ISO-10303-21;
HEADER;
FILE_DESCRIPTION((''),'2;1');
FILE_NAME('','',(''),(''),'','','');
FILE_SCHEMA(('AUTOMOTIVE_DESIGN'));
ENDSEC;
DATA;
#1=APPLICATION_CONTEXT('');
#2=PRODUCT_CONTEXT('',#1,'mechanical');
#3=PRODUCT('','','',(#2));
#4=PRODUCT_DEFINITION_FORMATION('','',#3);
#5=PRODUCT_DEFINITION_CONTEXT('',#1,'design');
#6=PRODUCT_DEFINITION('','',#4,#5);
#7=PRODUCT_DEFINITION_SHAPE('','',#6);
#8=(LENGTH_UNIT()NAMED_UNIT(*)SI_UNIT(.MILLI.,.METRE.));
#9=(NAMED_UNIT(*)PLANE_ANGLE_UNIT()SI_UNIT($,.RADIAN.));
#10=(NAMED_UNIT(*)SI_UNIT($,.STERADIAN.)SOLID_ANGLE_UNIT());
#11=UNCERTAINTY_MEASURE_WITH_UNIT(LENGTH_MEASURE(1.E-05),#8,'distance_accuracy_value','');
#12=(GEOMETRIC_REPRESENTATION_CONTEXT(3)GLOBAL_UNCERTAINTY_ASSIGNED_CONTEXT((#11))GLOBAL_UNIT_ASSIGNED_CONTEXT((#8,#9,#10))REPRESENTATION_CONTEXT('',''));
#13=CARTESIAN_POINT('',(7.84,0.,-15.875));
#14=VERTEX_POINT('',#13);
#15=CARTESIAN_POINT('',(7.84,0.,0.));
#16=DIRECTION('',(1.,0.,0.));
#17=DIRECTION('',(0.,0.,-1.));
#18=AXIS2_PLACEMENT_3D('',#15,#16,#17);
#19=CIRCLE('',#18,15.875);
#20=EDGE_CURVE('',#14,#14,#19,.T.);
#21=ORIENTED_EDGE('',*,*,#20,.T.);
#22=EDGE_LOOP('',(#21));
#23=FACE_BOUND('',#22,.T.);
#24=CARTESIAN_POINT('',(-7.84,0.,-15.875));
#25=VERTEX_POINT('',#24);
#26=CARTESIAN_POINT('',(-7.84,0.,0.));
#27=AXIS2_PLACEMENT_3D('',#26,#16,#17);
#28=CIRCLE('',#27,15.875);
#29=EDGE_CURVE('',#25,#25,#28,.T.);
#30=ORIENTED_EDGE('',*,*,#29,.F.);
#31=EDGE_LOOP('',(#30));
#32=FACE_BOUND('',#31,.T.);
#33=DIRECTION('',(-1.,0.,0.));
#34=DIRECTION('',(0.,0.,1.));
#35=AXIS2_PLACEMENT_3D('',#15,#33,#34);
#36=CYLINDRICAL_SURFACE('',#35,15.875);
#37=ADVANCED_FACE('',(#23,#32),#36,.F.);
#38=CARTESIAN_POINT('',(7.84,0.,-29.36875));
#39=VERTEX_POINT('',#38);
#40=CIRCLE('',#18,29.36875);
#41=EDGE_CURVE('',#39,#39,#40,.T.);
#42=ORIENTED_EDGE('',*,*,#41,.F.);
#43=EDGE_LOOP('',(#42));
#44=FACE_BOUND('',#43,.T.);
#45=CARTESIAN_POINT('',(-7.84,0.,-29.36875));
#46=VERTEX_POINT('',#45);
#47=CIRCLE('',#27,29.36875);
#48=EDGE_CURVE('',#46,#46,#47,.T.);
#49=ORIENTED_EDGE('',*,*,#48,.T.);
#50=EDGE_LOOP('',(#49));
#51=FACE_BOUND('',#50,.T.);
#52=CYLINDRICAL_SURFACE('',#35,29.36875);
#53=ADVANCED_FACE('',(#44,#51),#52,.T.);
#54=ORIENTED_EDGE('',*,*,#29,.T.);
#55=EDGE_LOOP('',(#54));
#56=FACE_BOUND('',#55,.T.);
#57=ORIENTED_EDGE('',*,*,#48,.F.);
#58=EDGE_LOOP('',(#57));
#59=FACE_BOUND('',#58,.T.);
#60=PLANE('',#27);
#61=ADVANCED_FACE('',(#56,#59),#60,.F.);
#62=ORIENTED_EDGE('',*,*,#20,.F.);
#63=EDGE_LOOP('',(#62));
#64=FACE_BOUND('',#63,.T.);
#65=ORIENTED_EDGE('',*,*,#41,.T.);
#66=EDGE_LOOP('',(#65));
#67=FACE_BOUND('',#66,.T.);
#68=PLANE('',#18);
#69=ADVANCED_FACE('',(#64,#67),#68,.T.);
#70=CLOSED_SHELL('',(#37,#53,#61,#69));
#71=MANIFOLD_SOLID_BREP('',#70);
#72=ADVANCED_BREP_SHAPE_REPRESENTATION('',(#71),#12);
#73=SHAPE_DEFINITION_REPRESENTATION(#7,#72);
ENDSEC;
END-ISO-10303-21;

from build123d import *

# Parameters (mm, degrees)
SKETCH1_R           = 29.36875
SKETCH1_R_2         = 15.875
BOSS_EXTRUDE1_DEPTH = 7.84


with BuildPart() as part:
    # Sketch1 → Boss-Extrude1 (new body, symmetric)
    with BuildSketch(Plane(origin=(0, 0, 0), x_dir=(0, 0, -1), z_dir=(1, 0, 0))):
        Circle(SKETCH1_R)
        Circle(SKETCH1_R_2, mode=Mode.SUBTRACT)
    extrude(amount=BOSS_EXTRUDE1_DEPTH, both=True)


solid = part.part
